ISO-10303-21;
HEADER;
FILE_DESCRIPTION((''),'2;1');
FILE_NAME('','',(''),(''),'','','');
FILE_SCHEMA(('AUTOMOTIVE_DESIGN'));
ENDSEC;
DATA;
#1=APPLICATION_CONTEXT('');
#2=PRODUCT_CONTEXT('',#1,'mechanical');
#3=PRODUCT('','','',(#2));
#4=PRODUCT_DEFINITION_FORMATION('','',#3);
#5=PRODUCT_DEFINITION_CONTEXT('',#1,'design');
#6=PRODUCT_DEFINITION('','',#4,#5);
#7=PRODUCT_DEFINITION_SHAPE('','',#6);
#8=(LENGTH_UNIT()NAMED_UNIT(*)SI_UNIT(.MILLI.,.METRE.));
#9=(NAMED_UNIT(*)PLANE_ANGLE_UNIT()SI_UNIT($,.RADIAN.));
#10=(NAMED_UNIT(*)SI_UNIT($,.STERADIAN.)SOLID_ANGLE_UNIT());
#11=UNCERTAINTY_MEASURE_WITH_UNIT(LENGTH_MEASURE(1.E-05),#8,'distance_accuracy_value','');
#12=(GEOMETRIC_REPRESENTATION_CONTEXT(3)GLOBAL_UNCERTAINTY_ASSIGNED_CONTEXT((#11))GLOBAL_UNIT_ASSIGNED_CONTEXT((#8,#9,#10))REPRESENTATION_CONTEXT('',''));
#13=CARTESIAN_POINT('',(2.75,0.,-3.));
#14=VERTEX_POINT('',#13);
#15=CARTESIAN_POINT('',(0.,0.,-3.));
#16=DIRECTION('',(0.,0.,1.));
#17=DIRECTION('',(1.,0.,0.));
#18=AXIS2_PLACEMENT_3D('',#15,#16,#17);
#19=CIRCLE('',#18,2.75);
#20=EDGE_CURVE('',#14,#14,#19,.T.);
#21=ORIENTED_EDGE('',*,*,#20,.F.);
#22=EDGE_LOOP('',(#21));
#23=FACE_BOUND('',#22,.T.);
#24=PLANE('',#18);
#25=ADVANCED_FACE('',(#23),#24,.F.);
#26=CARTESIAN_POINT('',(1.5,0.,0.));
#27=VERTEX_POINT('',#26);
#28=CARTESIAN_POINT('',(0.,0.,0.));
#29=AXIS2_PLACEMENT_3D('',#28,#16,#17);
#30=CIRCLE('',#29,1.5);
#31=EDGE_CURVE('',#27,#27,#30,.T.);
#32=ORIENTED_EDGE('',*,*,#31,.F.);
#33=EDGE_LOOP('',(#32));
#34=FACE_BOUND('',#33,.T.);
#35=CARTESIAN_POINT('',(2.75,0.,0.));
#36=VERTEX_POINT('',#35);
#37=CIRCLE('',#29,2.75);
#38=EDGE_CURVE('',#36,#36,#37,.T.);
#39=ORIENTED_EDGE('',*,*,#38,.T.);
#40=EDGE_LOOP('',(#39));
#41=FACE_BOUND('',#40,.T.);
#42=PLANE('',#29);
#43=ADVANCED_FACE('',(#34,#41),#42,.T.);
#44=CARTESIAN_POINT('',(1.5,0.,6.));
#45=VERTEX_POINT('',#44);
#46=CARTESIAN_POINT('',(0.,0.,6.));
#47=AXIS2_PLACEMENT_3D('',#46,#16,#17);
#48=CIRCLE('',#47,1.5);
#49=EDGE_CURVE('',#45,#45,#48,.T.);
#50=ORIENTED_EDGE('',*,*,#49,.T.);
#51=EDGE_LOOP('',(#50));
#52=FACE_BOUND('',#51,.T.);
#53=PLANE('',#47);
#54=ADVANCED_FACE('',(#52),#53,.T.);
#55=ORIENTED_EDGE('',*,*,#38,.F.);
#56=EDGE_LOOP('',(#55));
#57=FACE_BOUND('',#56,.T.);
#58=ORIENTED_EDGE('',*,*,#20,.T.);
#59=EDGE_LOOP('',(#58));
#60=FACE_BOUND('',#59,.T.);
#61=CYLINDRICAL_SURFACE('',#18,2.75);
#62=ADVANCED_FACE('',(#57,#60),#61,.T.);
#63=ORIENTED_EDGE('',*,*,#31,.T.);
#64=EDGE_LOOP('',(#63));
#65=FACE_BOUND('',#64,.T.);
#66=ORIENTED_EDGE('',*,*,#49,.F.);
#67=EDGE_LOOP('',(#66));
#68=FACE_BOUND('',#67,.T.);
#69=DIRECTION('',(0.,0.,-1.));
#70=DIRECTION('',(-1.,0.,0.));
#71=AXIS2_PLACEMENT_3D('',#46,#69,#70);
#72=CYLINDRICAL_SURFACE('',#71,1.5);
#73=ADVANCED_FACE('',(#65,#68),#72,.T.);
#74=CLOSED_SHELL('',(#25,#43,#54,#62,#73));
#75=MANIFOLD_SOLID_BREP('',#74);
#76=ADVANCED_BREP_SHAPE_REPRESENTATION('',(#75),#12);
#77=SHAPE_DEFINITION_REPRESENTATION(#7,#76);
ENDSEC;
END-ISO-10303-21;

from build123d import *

# Parameters (mm, degrees)
SKETCH1_R           = 2.75
BOSS_EXTRUDE1_DEPTH = 3
SKETCH1_3_R         = 1.5
BOSS_EXTRUDE2_DEPTH = 6


with BuildPart() as part:
    # Sketch1 → Boss-Extrude1 (new body)
    with BuildSketch(Plane.XY):
        Circle(SKETCH1_R)
    extrude(amount=-BOSS_EXTRUDE1_DEPTH)

    # Sketch1<3> → Boss-Extrude2 (add)
    with BuildSketch(Plane.XY):
        Circle(SKETCH1_3_R)
    extrude(amount=BOSS_EXTRUDE2_DEPTH)


solid = part.part
